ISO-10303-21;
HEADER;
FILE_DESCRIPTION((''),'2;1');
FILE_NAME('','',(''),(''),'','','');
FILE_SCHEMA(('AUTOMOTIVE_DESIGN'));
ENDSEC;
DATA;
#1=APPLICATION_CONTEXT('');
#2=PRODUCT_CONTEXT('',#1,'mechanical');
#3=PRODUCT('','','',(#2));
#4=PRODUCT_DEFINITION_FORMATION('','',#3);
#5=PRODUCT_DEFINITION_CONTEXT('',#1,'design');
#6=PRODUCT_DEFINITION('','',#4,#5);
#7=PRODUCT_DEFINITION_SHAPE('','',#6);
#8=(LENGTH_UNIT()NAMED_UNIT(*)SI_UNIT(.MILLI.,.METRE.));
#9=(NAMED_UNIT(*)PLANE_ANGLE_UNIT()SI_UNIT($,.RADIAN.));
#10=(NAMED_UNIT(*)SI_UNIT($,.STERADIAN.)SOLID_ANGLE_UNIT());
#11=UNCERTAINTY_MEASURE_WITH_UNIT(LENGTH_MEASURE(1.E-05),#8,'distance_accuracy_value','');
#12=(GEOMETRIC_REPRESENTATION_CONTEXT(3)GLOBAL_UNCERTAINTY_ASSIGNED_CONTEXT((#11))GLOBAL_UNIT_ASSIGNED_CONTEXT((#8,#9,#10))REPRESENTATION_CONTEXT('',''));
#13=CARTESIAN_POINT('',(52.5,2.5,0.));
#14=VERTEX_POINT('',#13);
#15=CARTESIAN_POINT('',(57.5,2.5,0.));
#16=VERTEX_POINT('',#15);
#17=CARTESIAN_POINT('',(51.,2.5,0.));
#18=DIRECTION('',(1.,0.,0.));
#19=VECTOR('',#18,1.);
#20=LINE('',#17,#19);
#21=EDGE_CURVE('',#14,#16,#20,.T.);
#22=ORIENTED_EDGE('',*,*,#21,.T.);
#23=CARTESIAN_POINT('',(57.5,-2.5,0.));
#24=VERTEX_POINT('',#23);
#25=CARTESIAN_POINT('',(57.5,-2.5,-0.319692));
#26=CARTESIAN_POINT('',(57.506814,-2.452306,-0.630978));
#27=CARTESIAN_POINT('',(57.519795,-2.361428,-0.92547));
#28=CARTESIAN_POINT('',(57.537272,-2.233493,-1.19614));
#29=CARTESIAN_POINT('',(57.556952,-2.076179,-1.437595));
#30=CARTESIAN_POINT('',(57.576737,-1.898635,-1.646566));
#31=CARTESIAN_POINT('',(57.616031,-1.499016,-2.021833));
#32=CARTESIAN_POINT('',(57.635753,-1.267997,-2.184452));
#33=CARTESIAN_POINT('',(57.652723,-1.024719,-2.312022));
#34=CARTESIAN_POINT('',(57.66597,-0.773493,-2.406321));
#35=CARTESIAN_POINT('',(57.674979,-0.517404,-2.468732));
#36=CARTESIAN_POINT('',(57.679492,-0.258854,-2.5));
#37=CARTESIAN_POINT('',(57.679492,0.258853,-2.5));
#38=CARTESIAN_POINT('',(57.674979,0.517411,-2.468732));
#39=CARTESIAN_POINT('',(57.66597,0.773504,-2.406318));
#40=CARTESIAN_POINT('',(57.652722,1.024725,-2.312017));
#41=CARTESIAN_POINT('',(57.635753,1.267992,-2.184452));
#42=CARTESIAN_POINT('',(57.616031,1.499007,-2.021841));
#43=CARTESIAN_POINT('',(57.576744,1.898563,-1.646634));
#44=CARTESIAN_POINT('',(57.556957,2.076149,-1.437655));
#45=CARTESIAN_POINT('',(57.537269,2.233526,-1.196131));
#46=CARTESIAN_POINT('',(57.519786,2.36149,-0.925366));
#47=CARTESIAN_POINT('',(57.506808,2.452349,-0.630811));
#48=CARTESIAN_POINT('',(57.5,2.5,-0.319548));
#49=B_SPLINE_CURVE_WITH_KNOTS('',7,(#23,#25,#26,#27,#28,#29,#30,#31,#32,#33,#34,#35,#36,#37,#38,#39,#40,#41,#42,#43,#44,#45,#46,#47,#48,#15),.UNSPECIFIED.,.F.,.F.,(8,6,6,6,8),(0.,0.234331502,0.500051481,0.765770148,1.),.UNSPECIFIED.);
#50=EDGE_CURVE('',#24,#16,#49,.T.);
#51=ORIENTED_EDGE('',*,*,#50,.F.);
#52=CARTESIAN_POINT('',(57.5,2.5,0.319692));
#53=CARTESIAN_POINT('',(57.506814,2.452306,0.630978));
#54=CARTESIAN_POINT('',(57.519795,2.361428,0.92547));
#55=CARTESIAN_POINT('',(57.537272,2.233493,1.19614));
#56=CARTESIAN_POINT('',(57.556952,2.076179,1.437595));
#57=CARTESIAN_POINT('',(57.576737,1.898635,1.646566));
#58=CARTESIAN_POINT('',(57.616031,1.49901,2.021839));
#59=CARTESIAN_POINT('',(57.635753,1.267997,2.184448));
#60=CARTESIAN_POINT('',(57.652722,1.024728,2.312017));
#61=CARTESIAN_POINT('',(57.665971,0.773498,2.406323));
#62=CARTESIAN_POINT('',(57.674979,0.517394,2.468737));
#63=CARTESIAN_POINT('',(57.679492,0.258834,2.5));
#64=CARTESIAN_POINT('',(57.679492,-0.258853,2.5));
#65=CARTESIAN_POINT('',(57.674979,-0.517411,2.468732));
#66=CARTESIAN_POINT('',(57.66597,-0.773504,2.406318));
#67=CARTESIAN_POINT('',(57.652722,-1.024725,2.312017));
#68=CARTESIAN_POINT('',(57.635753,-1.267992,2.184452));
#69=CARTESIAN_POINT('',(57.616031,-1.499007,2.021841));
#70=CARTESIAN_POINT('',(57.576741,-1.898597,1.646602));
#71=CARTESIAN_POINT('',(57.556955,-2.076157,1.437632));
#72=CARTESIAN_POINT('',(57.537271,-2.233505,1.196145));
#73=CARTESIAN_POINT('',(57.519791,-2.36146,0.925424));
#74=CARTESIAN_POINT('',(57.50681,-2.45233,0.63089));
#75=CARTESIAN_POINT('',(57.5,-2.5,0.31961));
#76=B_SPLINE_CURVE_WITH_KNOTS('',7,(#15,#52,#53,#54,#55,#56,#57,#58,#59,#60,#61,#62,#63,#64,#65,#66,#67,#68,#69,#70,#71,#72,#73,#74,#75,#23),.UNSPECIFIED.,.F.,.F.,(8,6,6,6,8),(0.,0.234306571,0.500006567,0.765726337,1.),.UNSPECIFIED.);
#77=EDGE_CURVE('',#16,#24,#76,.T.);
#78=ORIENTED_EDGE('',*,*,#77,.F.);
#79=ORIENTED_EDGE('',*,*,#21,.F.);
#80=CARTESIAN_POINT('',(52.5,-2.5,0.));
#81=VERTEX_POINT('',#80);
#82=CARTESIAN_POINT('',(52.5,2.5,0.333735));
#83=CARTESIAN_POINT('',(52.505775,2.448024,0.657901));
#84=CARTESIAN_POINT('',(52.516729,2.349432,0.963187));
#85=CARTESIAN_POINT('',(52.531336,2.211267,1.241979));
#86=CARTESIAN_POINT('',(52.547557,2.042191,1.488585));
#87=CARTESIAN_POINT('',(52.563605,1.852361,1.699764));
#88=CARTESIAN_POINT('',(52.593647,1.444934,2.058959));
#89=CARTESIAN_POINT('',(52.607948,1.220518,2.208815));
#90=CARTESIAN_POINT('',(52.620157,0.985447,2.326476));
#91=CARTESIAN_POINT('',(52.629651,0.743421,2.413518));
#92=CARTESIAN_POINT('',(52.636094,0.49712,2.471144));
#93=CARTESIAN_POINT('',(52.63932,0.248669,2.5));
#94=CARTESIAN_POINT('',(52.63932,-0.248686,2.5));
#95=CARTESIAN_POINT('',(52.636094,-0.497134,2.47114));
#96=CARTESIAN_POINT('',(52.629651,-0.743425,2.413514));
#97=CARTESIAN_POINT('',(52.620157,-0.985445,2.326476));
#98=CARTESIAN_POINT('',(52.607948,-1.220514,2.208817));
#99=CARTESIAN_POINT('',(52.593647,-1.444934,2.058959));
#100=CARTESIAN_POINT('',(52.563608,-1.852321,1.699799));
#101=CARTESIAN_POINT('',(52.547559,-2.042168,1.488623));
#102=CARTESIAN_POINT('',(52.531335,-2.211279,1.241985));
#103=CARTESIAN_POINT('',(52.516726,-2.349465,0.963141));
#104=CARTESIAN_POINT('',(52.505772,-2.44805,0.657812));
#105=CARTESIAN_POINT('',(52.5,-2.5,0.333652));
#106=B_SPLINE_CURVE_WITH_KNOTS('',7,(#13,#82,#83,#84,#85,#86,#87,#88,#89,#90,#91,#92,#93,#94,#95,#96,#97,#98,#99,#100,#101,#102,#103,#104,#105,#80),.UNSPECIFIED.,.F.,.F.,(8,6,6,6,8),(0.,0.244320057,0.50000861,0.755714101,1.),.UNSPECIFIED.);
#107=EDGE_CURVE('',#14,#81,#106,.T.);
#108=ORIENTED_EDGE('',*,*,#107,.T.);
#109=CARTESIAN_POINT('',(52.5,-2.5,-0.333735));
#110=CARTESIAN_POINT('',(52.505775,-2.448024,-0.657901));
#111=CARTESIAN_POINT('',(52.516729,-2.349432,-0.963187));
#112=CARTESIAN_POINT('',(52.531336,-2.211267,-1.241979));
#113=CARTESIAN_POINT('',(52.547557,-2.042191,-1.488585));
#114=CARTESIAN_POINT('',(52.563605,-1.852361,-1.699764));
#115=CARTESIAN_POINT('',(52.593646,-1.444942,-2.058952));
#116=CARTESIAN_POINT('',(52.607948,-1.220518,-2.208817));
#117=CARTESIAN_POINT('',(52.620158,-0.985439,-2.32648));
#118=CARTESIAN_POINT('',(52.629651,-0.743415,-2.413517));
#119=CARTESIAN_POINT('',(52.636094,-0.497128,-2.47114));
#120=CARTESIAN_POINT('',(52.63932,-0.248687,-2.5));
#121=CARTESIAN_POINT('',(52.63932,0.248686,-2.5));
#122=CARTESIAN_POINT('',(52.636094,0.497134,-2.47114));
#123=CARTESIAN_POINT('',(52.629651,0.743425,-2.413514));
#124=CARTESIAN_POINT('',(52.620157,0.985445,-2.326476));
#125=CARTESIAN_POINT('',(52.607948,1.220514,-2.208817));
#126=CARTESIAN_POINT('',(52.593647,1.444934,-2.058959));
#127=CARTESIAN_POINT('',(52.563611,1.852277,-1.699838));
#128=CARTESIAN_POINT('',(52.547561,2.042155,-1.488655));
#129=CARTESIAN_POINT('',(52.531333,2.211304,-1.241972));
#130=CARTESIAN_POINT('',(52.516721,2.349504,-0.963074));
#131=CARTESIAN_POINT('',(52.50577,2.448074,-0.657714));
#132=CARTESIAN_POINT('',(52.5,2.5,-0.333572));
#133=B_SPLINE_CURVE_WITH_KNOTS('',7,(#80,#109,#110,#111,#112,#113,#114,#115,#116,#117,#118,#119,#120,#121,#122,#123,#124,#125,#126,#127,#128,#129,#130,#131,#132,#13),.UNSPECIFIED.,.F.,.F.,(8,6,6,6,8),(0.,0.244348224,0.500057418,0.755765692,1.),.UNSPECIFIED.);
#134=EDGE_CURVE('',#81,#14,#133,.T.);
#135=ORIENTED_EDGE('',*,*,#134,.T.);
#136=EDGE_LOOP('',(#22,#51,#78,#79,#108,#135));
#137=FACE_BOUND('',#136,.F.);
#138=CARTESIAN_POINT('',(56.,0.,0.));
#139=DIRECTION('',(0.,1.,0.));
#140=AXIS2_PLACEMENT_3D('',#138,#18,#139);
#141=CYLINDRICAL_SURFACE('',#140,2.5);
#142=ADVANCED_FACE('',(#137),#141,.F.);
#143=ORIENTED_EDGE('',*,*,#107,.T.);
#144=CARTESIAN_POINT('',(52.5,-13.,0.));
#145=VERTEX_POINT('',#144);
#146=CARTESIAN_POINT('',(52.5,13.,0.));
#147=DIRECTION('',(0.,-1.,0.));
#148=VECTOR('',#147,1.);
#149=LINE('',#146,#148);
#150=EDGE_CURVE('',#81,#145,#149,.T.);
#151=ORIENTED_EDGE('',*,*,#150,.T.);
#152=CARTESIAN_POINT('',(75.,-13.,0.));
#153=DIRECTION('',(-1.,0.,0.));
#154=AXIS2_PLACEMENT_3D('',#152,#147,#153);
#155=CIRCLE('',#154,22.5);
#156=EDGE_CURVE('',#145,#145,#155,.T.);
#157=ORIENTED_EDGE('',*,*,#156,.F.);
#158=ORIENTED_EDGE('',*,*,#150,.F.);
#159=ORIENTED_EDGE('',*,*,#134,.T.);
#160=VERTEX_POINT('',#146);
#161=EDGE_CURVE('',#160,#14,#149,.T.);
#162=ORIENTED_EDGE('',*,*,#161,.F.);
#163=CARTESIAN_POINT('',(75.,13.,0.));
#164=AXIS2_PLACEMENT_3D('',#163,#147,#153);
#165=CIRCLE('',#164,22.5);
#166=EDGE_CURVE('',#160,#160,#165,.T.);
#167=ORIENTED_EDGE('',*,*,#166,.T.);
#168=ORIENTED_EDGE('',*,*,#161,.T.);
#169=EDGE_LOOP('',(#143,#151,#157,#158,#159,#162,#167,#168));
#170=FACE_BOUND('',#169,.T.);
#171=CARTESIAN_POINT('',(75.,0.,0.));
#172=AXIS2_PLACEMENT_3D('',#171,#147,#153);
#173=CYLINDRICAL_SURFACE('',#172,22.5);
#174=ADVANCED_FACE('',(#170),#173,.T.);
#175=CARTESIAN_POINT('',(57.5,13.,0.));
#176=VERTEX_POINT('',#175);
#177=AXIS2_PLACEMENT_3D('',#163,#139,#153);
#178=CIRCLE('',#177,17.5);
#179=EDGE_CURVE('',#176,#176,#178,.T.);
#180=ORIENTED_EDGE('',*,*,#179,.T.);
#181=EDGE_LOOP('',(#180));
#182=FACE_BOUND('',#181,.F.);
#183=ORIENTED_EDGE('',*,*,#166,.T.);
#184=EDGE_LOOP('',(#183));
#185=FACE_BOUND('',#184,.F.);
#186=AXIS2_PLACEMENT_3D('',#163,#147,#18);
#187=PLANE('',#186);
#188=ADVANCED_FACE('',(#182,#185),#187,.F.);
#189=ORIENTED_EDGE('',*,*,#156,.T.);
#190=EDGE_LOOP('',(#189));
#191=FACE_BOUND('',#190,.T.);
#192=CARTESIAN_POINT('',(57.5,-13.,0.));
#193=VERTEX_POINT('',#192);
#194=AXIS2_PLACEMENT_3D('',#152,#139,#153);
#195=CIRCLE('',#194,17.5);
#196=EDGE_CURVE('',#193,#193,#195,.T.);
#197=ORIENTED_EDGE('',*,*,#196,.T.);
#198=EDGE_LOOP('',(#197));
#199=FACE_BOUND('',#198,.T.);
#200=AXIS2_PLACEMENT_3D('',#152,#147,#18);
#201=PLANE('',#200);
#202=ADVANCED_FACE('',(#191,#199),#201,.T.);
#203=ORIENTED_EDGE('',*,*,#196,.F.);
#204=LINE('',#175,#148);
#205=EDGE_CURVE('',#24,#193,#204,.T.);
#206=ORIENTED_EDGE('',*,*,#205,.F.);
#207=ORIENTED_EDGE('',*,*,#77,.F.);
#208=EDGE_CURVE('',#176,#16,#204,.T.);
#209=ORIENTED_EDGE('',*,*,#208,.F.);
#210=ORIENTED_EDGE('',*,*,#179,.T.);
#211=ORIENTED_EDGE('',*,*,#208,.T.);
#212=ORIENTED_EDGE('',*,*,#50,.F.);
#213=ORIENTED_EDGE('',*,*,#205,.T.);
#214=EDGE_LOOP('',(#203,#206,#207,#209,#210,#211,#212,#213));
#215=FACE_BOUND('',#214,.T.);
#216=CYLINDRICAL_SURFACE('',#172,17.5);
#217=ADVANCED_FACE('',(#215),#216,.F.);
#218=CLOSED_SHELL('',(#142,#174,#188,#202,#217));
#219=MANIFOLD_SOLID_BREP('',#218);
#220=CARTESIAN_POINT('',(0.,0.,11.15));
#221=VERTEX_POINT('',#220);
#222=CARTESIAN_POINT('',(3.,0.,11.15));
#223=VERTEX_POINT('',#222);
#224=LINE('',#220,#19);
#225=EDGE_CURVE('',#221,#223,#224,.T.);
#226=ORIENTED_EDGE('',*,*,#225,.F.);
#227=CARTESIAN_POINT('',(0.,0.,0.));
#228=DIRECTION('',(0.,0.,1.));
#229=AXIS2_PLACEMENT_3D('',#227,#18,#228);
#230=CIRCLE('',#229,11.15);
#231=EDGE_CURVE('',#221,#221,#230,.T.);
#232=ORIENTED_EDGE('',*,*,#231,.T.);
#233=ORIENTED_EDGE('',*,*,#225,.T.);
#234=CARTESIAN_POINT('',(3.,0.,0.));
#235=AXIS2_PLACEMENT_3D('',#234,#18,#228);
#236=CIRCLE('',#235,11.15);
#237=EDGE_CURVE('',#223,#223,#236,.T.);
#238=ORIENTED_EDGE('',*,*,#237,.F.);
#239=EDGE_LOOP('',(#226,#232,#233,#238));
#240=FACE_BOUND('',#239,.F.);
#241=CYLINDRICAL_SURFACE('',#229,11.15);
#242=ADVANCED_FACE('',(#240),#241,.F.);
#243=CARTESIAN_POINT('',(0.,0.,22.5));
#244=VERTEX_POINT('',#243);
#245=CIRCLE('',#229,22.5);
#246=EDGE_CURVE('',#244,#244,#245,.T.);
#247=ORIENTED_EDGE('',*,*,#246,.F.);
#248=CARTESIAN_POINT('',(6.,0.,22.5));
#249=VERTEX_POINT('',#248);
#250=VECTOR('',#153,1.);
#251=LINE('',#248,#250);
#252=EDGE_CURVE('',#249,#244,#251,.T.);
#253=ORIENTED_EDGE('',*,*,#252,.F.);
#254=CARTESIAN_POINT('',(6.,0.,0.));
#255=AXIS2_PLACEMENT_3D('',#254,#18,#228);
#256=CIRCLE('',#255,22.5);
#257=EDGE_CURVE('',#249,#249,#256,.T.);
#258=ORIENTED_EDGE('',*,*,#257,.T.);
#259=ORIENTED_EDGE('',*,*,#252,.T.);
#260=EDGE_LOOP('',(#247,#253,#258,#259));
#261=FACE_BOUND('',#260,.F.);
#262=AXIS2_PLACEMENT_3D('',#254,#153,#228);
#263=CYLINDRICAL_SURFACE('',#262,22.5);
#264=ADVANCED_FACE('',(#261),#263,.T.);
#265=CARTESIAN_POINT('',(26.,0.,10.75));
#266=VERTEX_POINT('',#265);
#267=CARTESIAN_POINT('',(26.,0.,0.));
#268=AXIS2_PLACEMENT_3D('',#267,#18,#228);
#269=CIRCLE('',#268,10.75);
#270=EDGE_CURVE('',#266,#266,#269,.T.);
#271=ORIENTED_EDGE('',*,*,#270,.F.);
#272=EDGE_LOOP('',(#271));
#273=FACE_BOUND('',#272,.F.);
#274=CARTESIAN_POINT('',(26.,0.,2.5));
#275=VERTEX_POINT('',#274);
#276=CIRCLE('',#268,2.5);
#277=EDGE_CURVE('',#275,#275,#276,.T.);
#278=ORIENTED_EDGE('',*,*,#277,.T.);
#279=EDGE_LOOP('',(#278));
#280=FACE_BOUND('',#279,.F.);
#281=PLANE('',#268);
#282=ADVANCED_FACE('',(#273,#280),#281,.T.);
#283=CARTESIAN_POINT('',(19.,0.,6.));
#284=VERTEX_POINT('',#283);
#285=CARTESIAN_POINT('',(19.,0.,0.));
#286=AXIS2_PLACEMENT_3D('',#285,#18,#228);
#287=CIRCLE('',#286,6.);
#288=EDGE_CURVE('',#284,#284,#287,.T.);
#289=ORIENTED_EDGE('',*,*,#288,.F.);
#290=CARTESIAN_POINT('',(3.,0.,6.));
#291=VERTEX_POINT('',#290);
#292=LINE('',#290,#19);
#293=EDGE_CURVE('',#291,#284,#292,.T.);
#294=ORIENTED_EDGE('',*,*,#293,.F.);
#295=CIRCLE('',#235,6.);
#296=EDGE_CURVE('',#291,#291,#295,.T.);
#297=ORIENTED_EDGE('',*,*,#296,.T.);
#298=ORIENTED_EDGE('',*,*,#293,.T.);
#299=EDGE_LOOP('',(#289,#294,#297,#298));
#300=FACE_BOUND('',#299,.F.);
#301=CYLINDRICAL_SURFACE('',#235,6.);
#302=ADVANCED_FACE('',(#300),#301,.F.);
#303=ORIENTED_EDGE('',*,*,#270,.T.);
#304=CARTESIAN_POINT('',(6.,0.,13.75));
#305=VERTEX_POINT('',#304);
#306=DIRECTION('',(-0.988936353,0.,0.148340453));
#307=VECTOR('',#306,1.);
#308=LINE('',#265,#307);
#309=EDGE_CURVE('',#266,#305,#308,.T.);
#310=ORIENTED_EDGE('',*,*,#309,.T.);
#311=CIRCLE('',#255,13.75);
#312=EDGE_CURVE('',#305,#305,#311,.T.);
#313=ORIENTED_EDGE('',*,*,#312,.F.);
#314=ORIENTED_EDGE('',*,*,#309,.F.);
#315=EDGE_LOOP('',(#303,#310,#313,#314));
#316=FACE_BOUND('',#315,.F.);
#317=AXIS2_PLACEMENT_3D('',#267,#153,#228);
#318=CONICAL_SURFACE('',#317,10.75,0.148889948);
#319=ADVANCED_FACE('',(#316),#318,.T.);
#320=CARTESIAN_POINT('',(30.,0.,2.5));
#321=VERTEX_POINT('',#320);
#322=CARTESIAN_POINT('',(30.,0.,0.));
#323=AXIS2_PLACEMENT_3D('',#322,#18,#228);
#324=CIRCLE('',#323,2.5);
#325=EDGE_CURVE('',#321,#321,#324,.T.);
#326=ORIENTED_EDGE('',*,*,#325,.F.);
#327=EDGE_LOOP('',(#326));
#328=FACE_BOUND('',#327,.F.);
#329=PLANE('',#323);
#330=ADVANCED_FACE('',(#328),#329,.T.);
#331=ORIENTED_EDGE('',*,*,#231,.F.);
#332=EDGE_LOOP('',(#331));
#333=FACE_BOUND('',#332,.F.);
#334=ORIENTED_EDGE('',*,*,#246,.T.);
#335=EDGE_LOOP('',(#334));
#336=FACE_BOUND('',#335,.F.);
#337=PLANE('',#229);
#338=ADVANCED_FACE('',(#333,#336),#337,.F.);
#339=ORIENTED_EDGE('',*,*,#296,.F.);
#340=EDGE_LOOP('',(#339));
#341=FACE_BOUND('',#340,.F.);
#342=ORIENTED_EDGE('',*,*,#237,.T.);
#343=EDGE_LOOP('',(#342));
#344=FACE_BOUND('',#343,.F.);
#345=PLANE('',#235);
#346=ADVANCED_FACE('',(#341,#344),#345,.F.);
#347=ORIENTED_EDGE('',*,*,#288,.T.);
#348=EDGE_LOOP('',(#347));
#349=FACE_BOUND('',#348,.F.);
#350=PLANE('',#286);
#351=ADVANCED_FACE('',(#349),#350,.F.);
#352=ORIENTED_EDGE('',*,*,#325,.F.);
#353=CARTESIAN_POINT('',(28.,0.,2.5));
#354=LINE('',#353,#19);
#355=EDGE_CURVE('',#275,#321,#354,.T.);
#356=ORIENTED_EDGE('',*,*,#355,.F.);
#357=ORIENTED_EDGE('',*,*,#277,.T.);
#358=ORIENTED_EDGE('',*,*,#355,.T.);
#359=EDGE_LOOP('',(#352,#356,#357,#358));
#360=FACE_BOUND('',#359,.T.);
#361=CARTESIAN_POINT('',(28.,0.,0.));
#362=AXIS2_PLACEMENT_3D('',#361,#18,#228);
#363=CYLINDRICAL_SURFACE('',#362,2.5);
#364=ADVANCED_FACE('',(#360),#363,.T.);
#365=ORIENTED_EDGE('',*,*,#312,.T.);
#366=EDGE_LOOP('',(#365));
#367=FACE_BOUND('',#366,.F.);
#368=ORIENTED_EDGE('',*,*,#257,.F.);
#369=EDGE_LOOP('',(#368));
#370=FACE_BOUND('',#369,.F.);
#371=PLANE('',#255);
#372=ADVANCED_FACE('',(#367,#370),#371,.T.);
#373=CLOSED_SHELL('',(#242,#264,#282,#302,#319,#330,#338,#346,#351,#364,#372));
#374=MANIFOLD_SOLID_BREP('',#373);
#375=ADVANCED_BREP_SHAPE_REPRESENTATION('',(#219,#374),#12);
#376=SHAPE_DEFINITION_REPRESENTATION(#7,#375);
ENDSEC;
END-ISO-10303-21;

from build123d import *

# Parameters (mm, degrees)
F0_W     = 4
F0_H     = 2.5
F3_DEPTH = 13
F5_R     = 2.5
F6_DEPTH = 5


with BuildPart() as f1:
    # F0 (on Front) → F1 (revolve)
    with BuildSketch(Plane.XZ):
        Polygon((0, 22.5), (0, 11.15), (3, 11.15), (3, 6), (6, 6), (6, 13.75), (6, 22.5), align=None)
        Polygon((6, 13.75), (6, 6), (19, 6), (19, 0), (26, 0), (26, 2.5), (26, 10.75), align=None)
        with Locations((28, 1.25)):
            Rectangle(F0_W, F0_H)
    revolve(axis=Axis((16, 0, 0), (1, 0, 0)))


with BuildPart() as f3:
    # F2 (on Front) → F3 (new body, symmetric)
    with BuildSketch(Plane.XZ):
        with BuildLine():
            ThreePointArc((97.5, 0), (75, 22.5), (52.5, 0))
            ThreePointArc((52.5, 0), (75, -22.5), (97.5, 0))
        make_face()
        with BuildLine():
            ThreePointArc((92.5, 0), (75, -17.5), (57.5, 0))
            ThreePointArc((57.5, 0), (75, 17.5), (92.5, 0))
        make_face(mode=Mode.SUBTRACT)
    extrude(amount=F3_DEPTH, both=True)

    # F5 (on offset) → F6 (cut, symmetric)
    with BuildSketch(Plane.YZ.offset(56)):
        Circle(F5_R)
    extrude(amount=F6_DEPTH, both=True, mode=Mode.SUBTRACT)


solid = Compound([f1.part, f3.part])
